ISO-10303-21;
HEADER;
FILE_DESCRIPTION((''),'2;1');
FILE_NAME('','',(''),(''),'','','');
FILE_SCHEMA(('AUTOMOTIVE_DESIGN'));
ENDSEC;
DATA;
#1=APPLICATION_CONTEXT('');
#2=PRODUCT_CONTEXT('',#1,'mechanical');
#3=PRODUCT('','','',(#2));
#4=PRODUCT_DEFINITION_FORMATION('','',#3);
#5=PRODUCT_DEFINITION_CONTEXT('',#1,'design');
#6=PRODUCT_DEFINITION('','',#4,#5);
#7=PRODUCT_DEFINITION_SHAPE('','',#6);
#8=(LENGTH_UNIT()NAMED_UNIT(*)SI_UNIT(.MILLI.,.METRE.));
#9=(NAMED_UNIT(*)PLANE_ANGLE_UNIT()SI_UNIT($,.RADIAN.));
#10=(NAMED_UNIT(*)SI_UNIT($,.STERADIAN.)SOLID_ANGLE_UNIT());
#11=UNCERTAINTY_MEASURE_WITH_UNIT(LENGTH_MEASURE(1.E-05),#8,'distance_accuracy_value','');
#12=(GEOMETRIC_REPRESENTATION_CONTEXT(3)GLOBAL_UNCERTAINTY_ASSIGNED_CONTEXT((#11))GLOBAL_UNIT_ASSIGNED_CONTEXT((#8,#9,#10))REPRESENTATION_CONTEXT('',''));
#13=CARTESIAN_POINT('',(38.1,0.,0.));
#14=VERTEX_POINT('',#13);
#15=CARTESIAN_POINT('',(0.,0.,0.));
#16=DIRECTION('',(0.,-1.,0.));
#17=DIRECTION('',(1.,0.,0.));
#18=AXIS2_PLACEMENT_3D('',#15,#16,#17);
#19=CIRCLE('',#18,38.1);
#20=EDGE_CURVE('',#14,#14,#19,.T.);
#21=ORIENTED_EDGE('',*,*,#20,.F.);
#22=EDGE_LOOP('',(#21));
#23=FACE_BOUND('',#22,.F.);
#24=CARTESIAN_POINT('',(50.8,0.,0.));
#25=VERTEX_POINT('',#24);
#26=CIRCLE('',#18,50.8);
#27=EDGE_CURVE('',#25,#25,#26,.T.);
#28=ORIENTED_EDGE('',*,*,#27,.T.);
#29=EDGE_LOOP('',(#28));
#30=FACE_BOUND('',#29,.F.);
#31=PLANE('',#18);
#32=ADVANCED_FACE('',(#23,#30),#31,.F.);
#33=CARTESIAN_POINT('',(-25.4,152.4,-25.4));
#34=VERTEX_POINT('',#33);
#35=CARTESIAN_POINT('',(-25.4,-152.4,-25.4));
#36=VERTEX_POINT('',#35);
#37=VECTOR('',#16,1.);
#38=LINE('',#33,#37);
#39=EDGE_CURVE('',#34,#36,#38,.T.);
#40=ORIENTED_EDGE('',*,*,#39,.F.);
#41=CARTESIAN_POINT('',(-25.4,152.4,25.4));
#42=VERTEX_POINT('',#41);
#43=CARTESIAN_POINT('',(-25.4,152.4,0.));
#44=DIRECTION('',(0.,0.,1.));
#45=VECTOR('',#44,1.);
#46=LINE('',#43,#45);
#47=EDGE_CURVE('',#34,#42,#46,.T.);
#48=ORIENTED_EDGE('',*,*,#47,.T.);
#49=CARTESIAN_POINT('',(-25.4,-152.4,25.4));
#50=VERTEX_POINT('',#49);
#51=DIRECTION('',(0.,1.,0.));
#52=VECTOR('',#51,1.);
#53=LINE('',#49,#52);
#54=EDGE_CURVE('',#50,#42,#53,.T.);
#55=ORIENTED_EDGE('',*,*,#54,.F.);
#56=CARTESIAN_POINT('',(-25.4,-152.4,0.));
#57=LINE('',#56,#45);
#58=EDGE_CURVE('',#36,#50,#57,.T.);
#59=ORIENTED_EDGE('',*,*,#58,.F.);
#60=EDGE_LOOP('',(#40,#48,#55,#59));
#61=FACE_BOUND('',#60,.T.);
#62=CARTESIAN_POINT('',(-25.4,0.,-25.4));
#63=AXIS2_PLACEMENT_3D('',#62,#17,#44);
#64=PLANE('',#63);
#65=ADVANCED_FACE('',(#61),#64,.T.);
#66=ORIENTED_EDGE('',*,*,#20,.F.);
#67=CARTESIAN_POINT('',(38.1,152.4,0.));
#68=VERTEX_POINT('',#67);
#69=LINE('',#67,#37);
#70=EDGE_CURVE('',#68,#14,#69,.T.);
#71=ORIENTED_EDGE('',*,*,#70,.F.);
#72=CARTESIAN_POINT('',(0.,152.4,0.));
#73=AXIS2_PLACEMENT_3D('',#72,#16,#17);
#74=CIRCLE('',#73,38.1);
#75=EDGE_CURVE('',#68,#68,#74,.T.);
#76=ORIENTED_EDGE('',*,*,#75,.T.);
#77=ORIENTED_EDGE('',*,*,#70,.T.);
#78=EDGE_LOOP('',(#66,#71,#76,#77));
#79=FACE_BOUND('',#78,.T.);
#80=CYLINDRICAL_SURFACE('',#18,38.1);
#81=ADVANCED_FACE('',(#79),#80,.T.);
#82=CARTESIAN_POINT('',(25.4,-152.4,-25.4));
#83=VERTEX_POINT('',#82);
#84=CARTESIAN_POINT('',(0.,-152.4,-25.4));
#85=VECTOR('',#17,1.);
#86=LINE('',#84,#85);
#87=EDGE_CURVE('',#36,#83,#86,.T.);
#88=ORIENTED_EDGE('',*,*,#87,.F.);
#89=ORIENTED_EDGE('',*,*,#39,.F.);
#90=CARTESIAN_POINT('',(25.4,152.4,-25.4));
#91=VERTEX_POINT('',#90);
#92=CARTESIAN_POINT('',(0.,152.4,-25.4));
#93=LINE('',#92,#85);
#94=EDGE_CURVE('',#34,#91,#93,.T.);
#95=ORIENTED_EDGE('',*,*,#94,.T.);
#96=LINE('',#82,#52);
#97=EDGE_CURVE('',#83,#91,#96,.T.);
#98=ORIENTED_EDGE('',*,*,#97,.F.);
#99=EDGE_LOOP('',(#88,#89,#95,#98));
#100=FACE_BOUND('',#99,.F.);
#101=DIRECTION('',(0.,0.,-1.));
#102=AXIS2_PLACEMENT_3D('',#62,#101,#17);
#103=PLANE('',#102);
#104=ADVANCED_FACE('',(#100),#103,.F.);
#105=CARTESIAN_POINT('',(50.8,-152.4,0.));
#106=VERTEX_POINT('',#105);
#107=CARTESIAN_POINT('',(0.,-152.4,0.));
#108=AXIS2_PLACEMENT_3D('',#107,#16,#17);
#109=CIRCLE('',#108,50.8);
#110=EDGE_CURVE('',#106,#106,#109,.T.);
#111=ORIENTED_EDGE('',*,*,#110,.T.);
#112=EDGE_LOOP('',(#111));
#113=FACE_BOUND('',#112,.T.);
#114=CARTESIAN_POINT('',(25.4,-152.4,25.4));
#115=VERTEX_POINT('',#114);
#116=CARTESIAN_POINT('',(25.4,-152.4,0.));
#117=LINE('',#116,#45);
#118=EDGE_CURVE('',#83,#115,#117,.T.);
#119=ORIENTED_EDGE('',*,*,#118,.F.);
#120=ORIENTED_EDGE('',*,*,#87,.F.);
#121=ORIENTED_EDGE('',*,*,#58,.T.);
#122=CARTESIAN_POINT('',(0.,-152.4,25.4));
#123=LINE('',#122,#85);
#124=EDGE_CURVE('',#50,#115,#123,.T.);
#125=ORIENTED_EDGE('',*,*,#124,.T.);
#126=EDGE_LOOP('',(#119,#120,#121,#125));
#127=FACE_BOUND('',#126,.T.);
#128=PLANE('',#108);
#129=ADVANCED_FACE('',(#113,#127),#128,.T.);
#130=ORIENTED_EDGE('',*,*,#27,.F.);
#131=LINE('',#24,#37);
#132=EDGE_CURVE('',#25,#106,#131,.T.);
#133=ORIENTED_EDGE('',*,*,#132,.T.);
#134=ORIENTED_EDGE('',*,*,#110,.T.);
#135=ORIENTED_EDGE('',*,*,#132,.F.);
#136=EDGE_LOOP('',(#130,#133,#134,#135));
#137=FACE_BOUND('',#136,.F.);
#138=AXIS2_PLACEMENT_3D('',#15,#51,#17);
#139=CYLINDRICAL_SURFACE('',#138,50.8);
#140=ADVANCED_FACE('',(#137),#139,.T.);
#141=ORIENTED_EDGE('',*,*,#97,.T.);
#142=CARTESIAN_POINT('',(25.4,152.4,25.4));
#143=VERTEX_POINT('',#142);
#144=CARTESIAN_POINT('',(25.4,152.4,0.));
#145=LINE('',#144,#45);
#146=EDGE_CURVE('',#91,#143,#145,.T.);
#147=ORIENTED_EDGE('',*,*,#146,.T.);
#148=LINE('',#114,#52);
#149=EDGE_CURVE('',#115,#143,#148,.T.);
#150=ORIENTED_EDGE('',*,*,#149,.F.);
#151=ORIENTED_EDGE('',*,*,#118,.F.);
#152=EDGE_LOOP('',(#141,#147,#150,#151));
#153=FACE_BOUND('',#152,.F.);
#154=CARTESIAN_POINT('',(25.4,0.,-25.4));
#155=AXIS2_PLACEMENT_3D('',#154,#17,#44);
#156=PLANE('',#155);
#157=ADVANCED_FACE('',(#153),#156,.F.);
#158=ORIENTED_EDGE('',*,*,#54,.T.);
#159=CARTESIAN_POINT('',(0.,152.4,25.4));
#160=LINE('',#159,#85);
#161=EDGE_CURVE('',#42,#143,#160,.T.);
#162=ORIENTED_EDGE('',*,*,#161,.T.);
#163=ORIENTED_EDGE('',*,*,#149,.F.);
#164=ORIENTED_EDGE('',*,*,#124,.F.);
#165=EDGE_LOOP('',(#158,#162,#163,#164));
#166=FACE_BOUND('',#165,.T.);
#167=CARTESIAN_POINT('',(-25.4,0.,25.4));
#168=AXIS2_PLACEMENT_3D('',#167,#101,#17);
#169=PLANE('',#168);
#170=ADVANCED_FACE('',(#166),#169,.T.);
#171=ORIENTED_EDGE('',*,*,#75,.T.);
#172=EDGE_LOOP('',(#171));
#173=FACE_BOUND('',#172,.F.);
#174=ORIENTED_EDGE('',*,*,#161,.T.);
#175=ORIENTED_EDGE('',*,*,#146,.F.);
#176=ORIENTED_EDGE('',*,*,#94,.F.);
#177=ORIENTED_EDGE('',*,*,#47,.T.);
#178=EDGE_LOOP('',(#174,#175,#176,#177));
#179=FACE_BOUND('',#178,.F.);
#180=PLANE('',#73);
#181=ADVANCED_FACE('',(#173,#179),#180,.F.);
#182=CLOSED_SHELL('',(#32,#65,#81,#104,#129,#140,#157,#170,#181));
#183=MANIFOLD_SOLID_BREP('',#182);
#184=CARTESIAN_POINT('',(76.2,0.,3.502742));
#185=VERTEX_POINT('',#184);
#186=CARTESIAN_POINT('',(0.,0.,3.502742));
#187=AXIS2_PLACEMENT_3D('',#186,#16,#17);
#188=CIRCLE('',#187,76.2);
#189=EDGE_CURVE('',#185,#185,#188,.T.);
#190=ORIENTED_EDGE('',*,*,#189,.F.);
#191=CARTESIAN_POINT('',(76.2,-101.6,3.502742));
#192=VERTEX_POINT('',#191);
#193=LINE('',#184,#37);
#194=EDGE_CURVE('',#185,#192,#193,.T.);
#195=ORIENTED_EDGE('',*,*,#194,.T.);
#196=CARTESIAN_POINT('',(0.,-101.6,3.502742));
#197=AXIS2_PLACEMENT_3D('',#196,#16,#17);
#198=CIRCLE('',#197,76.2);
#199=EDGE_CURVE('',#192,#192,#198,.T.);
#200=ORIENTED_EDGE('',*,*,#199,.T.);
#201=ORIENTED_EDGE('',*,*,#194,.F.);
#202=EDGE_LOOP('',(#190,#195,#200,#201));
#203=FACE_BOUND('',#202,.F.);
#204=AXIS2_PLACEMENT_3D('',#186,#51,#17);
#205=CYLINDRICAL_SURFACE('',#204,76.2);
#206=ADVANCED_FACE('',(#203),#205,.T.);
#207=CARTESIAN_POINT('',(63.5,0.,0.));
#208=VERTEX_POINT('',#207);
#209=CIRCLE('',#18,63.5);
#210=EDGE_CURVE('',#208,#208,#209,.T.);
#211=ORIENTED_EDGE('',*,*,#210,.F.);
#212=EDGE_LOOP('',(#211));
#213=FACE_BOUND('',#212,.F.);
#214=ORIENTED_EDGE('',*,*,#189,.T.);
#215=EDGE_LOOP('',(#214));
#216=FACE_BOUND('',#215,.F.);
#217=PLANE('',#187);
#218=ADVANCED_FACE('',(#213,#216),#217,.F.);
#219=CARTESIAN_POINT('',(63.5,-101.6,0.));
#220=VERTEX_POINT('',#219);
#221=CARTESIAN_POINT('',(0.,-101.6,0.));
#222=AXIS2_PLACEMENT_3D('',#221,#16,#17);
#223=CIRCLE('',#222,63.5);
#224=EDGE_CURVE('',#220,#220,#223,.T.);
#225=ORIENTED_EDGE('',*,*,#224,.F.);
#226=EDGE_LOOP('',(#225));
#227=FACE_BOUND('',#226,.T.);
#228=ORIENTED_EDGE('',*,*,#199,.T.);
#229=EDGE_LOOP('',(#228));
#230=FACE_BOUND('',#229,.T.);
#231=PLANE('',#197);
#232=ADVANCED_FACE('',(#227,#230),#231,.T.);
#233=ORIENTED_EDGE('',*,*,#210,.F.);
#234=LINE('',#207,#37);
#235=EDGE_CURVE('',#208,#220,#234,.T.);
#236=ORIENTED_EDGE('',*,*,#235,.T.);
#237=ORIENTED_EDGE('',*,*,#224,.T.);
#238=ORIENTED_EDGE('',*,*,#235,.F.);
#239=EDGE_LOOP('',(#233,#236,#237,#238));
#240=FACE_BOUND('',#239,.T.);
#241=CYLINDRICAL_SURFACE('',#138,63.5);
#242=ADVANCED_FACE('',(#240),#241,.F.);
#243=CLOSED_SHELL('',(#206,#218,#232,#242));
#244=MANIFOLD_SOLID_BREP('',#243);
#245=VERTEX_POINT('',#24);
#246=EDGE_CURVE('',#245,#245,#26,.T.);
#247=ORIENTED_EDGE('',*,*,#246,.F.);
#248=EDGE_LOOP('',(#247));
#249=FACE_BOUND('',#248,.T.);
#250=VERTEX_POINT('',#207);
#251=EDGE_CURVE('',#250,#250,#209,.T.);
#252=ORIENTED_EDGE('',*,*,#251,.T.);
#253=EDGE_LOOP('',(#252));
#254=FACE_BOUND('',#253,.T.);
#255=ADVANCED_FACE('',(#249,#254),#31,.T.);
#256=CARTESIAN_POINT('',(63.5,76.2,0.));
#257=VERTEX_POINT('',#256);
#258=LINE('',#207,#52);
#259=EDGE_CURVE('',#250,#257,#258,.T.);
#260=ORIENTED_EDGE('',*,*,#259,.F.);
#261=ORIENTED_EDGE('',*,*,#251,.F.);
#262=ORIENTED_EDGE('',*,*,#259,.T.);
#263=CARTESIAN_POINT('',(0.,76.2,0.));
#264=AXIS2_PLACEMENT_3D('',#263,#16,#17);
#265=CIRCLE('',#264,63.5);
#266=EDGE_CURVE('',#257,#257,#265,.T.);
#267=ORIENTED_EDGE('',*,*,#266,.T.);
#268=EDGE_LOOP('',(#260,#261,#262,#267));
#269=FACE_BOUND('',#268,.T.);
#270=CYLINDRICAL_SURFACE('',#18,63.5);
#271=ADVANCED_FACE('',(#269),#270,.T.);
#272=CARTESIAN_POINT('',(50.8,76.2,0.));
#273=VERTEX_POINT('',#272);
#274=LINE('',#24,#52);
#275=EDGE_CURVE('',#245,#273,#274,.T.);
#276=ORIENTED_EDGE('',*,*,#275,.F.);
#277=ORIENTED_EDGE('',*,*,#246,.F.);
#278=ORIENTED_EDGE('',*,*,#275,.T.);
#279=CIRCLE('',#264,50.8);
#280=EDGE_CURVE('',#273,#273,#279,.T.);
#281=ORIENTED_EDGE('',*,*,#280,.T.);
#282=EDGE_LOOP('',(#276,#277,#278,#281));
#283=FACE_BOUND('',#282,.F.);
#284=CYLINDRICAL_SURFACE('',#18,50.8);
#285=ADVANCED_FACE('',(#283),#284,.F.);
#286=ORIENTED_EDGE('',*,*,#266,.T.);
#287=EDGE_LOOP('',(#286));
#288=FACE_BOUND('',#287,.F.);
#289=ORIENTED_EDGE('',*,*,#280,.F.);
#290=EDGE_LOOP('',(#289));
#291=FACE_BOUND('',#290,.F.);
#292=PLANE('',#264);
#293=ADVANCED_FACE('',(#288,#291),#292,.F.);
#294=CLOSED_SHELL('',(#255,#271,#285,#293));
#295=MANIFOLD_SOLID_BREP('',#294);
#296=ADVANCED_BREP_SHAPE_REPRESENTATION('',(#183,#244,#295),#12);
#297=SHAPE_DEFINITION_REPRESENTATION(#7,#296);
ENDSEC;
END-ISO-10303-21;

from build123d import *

# Parameters (mm, degrees)
F0_R     = 76.2
F0_R_2   = 63.5
F1_DEPTH = 101.6
F0_R_3   = 50.8
F2_DEPTH = 76.2
F0_R_4   = 38.1
F3_DEPTH = 152.4
F0_W     = 50.8
F0_H     = 50.8
F4_DEPTH = 152.4


with BuildPart() as f1:
    # F0 (on Front) → F1 (new body)
    with BuildSketch(Plane.XZ):
        with Locations((0, 3.502742)):
            Circle(F0_R)
        Circle(F0_R_2, mode=Mode.SUBTRACT)
    extrude(amount=F1_DEPTH)

    # F0 (on Front) → F2 (join)
    with BuildSketch(Plane.XZ):
        Circle(F0_R_2)
        Circle(F0_R_3, mode=Mode.SUBTRACT)
    extrude(amount=-F2_DEPTH)


with BuildPart() as f3:
    # F0 (on Front) → F3 (new body)
    with BuildSketch(Plane.XZ):
        Circle(F0_R_3)
        Circle(F0_R_4, mode=Mode.SUBTRACT)
    extrude(amount=F3_DEPTH)

    # F0 (on Front) → F4 (join, symmetric)
    with BuildSketch(Plane.XZ):
        Circle(F0_R_4)
        Rectangle(F0_W, F0_H, mode=Mode.SUBTRACT)
    extrude(amount=F4_DEPTH, both=True)


solid = Compound([f1.part, f3.part])
